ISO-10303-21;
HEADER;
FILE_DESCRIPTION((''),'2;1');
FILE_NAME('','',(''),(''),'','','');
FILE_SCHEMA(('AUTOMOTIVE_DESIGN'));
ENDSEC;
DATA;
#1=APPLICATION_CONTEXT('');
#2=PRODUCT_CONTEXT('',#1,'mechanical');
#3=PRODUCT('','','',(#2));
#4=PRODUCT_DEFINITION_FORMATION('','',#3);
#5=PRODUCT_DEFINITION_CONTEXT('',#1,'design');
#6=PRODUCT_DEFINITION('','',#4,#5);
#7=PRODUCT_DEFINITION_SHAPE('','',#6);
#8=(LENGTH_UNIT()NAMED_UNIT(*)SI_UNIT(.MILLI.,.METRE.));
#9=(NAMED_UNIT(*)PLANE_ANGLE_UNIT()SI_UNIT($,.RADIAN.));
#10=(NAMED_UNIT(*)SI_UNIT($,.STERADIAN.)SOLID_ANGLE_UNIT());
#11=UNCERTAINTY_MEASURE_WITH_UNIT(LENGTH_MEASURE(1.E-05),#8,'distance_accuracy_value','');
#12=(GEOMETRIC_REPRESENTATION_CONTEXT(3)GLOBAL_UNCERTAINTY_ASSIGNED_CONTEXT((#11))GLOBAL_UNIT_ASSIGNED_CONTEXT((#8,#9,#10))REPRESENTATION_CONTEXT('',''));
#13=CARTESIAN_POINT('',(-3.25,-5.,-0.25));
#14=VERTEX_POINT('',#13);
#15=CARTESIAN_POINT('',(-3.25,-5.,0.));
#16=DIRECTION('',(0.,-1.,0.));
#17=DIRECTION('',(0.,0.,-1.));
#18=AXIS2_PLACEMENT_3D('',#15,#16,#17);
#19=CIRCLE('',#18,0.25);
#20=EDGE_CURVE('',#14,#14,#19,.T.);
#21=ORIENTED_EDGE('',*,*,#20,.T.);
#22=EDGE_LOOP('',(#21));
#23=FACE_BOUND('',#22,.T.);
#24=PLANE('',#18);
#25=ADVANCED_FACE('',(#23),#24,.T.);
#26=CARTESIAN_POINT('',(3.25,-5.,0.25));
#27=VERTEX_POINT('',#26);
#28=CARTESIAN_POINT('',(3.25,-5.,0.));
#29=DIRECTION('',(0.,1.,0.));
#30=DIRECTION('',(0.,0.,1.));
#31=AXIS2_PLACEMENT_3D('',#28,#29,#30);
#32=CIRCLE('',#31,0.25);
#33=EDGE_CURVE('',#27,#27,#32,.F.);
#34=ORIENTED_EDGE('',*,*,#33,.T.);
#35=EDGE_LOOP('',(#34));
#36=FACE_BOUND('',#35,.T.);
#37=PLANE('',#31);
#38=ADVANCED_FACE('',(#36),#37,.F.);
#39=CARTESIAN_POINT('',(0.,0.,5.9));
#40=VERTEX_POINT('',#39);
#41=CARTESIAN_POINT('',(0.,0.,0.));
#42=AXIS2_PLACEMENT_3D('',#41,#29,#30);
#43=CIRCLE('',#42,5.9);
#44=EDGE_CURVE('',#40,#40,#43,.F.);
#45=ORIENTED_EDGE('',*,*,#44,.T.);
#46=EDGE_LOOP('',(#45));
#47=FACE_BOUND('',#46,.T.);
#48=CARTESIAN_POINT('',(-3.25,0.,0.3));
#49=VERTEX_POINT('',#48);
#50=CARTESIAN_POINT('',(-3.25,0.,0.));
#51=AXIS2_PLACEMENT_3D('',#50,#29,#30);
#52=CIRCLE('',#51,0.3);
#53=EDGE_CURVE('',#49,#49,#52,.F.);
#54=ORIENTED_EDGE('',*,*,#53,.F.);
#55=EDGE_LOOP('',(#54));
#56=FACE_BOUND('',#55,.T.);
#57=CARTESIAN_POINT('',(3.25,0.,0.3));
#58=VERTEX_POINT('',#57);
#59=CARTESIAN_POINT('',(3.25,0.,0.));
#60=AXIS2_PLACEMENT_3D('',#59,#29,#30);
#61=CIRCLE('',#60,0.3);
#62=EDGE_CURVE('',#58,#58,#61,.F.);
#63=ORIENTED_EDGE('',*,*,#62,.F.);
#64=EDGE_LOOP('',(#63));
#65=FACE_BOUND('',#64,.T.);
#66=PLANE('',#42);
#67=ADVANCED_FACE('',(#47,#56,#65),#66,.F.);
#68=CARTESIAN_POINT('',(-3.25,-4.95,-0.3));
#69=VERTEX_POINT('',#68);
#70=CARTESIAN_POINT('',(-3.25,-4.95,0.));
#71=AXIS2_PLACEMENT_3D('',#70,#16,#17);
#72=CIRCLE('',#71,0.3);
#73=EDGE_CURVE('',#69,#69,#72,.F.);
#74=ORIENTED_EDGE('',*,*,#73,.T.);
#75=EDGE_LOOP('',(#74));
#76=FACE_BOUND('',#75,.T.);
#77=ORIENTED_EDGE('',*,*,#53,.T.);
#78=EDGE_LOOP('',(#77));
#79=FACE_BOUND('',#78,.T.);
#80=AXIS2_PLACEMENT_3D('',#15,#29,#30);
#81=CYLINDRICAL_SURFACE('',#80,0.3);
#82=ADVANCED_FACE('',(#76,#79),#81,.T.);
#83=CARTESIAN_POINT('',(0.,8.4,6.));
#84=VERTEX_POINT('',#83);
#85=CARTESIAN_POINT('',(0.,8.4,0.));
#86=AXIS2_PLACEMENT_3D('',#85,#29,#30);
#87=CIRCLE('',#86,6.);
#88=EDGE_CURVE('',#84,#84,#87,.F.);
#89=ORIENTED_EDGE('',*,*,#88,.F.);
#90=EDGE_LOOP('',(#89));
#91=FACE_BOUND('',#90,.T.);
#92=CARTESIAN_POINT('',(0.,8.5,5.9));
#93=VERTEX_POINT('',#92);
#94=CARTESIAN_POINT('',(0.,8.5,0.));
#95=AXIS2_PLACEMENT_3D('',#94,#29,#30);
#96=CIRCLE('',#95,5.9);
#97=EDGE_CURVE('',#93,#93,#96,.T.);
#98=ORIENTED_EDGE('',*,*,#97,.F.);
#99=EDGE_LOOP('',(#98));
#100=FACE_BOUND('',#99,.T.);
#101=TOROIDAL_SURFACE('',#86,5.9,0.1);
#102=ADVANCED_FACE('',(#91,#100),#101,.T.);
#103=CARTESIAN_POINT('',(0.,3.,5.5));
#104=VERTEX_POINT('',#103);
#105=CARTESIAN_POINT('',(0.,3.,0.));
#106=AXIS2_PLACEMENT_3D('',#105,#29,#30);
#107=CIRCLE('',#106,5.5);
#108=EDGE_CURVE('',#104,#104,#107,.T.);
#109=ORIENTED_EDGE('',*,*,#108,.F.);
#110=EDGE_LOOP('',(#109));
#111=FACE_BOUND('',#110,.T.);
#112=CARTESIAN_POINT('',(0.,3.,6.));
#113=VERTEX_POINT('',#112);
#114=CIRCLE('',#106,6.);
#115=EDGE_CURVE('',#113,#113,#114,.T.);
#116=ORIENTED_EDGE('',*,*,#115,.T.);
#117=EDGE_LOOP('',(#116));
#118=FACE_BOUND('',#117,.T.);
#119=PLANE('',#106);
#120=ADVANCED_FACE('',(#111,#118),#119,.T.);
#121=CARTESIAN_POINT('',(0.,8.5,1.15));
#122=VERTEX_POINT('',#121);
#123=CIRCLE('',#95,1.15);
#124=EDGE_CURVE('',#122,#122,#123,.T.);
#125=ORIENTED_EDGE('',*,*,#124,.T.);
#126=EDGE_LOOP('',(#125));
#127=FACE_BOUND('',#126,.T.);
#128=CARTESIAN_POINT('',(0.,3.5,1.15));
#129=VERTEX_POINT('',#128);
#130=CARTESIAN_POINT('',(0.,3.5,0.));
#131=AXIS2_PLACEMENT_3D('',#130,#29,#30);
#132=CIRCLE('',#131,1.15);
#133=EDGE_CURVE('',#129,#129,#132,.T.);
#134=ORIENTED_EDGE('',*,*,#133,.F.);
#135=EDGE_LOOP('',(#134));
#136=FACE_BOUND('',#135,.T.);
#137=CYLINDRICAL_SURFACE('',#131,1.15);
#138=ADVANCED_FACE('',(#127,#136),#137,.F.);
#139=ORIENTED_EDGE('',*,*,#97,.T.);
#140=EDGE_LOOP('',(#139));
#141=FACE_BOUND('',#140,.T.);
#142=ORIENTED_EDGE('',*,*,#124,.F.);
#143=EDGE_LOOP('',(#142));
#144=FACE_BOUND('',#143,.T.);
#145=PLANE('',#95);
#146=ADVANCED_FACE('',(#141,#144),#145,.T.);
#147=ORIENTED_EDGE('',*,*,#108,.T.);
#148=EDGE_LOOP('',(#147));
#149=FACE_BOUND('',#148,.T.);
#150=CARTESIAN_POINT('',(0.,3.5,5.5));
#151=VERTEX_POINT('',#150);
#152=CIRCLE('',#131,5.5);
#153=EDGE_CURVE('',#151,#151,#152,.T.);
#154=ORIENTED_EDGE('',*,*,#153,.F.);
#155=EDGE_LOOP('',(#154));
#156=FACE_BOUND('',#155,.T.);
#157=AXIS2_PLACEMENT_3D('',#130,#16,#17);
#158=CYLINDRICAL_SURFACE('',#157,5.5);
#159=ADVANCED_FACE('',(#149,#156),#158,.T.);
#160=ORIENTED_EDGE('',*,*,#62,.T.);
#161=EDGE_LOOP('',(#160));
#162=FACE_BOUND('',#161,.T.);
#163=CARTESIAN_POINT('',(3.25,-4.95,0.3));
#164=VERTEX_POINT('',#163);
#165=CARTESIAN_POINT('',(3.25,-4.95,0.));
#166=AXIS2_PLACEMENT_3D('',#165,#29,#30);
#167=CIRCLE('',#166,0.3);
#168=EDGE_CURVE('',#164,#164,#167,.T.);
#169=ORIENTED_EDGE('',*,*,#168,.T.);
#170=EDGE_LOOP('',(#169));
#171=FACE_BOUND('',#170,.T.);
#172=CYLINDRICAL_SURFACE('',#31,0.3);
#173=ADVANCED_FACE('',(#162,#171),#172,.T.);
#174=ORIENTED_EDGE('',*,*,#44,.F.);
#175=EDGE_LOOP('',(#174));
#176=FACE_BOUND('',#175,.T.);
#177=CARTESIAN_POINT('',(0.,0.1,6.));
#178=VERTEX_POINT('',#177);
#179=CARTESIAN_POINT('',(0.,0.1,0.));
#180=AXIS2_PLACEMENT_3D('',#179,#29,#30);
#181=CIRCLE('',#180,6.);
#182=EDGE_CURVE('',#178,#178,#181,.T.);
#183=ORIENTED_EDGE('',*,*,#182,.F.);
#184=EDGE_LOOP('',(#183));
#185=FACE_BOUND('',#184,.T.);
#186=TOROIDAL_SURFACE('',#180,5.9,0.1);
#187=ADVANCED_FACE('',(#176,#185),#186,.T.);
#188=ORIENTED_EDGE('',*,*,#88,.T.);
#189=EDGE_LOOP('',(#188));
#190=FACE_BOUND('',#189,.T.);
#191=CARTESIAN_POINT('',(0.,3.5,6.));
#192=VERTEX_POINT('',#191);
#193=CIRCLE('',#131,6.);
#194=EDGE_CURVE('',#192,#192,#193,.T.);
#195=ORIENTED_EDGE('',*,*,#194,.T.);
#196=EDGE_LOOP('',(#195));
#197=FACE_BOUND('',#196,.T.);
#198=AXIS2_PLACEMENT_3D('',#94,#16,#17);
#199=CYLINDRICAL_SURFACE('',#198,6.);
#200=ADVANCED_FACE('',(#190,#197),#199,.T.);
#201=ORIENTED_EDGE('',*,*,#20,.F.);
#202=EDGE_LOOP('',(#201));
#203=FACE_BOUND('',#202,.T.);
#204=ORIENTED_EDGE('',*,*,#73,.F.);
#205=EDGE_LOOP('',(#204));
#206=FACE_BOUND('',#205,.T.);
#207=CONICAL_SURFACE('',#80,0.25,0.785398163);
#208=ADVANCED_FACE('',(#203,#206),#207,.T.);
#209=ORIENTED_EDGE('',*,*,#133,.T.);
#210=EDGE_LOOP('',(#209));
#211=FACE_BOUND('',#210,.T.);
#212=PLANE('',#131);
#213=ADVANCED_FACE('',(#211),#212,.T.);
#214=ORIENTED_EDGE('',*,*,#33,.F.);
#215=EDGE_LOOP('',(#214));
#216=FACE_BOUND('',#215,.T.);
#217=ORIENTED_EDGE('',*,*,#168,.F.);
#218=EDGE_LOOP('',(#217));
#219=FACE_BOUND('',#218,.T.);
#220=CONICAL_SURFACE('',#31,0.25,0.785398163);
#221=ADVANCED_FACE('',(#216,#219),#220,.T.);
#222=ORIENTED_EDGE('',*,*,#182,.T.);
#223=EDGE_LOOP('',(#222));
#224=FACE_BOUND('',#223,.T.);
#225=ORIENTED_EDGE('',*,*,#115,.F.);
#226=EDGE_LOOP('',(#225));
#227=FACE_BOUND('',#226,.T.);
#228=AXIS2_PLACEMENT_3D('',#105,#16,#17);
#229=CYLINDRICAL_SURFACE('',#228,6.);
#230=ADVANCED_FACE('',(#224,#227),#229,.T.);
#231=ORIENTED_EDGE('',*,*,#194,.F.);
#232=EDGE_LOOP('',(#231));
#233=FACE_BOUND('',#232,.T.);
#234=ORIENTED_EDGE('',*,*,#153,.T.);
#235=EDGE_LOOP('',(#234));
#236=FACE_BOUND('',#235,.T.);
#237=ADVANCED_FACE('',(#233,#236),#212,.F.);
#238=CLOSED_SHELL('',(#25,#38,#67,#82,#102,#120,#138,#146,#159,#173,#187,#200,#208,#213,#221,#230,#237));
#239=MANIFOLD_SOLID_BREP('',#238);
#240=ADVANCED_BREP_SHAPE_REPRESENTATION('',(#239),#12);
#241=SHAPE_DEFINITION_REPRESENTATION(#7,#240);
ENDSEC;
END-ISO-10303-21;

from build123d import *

# Parameters (mm, degrees)
SKETCH1_R           = 6
BOSS_EXTRUDE1_DEPTH = 3
SKETCH2_R           = 5.5
BOSS_EXTRUDE2_DEPTH = 0.5
SKETCH3_R           = 6
BOSS_EXTRUDE3_DEPTH = 5
SKETCH4_R           = 1.15
CUT_EXTRUDE1_DEPTH  = 5
SKETCH5_R           = 0.3
BOSS_EXTRUDE4_DEPTH = 5
FILLET1_R           = 0.1
CHAMFER1_SIZE       = 0.05


with BuildPart() as part:
    # Sketch1 → Boss-Extrude1 (new body)
    with BuildSketch(Plane(origin=(0, 0, 0), x_dir=(1, 0, 0), z_dir=(0, 1, 0))):
        with Locations(Location((0, 0, 0), (0, 0, 270))):
            Circle(SKETCH1_R)
    extrude(amount=BOSS_EXTRUDE1_DEPTH)

    # Sketch2 → Boss-Extrude2 (add)
    with BuildSketch(Plane(origin=(0, 3, 0), x_dir=(1, 0, 0), z_dir=(0, 1, 0))):
        with Locations(Location((0, 0, 0), (0, 0, 270))):
            Circle(SKETCH2_R)
    extrude(amount=BOSS_EXTRUDE2_DEPTH)

    # Sketch3 → Boss-Extrude3 (add)
    with BuildSketch(Plane(origin=(0, 3.5, 0), x_dir=(1, 0, 0), z_dir=(0, 1, 0))):
        with Locations(Location((0, 0, 0), (0, 0, 270))):
            Circle(SKETCH3_R)
    extrude(amount=BOSS_EXTRUDE3_DEPTH)

    # Sketch4 → Cut-Extrude1 (cut)
    with BuildSketch(Plane(origin=(0, 8.5, 0), x_dir=(1, 0, 0), z_dir=(0, 1, 0))):
        with Locations(Location((0, 0, 0), (0, 0, 270))):
            Circle(SKETCH4_R)
    extrude(amount=-CUT_EXTRUDE1_DEPTH, mode=Mode.SUBTRACT)

    # Sketch5 → Boss-Extrude4 (add)
    with BuildSketch(Plane.XZ):
        with Locations(Location((-3.25, 0, 0), (0, 0, 90))):
            Circle(SKETCH5_R)
        with Locations(Location((3.25, 0, 0), (0, 0, 90))):
            Circle(SKETCH5_R)
    extrude(amount=BOSS_EXTRUDE4_DEPTH)

    # Fillet1
    fillet1_edges = [part.edges().sort_by_distance(p)[0] for p in [
        (0, 8.5, -6),
        (0, 0, -6),
    ]]
    fillet(fillet1_edges, radius=FILLET1_R)

    # Chamfer1
    chamfer1_edges = [part.edges().sort_by_distance(p)[0] for p in [
        (-3.25, -5, -0.3),
        (3.25, -5, -0.3),
    ]]
    chamfer(chamfer1_edges, length=CHAMFER1_SIZE)


solid = part.part
